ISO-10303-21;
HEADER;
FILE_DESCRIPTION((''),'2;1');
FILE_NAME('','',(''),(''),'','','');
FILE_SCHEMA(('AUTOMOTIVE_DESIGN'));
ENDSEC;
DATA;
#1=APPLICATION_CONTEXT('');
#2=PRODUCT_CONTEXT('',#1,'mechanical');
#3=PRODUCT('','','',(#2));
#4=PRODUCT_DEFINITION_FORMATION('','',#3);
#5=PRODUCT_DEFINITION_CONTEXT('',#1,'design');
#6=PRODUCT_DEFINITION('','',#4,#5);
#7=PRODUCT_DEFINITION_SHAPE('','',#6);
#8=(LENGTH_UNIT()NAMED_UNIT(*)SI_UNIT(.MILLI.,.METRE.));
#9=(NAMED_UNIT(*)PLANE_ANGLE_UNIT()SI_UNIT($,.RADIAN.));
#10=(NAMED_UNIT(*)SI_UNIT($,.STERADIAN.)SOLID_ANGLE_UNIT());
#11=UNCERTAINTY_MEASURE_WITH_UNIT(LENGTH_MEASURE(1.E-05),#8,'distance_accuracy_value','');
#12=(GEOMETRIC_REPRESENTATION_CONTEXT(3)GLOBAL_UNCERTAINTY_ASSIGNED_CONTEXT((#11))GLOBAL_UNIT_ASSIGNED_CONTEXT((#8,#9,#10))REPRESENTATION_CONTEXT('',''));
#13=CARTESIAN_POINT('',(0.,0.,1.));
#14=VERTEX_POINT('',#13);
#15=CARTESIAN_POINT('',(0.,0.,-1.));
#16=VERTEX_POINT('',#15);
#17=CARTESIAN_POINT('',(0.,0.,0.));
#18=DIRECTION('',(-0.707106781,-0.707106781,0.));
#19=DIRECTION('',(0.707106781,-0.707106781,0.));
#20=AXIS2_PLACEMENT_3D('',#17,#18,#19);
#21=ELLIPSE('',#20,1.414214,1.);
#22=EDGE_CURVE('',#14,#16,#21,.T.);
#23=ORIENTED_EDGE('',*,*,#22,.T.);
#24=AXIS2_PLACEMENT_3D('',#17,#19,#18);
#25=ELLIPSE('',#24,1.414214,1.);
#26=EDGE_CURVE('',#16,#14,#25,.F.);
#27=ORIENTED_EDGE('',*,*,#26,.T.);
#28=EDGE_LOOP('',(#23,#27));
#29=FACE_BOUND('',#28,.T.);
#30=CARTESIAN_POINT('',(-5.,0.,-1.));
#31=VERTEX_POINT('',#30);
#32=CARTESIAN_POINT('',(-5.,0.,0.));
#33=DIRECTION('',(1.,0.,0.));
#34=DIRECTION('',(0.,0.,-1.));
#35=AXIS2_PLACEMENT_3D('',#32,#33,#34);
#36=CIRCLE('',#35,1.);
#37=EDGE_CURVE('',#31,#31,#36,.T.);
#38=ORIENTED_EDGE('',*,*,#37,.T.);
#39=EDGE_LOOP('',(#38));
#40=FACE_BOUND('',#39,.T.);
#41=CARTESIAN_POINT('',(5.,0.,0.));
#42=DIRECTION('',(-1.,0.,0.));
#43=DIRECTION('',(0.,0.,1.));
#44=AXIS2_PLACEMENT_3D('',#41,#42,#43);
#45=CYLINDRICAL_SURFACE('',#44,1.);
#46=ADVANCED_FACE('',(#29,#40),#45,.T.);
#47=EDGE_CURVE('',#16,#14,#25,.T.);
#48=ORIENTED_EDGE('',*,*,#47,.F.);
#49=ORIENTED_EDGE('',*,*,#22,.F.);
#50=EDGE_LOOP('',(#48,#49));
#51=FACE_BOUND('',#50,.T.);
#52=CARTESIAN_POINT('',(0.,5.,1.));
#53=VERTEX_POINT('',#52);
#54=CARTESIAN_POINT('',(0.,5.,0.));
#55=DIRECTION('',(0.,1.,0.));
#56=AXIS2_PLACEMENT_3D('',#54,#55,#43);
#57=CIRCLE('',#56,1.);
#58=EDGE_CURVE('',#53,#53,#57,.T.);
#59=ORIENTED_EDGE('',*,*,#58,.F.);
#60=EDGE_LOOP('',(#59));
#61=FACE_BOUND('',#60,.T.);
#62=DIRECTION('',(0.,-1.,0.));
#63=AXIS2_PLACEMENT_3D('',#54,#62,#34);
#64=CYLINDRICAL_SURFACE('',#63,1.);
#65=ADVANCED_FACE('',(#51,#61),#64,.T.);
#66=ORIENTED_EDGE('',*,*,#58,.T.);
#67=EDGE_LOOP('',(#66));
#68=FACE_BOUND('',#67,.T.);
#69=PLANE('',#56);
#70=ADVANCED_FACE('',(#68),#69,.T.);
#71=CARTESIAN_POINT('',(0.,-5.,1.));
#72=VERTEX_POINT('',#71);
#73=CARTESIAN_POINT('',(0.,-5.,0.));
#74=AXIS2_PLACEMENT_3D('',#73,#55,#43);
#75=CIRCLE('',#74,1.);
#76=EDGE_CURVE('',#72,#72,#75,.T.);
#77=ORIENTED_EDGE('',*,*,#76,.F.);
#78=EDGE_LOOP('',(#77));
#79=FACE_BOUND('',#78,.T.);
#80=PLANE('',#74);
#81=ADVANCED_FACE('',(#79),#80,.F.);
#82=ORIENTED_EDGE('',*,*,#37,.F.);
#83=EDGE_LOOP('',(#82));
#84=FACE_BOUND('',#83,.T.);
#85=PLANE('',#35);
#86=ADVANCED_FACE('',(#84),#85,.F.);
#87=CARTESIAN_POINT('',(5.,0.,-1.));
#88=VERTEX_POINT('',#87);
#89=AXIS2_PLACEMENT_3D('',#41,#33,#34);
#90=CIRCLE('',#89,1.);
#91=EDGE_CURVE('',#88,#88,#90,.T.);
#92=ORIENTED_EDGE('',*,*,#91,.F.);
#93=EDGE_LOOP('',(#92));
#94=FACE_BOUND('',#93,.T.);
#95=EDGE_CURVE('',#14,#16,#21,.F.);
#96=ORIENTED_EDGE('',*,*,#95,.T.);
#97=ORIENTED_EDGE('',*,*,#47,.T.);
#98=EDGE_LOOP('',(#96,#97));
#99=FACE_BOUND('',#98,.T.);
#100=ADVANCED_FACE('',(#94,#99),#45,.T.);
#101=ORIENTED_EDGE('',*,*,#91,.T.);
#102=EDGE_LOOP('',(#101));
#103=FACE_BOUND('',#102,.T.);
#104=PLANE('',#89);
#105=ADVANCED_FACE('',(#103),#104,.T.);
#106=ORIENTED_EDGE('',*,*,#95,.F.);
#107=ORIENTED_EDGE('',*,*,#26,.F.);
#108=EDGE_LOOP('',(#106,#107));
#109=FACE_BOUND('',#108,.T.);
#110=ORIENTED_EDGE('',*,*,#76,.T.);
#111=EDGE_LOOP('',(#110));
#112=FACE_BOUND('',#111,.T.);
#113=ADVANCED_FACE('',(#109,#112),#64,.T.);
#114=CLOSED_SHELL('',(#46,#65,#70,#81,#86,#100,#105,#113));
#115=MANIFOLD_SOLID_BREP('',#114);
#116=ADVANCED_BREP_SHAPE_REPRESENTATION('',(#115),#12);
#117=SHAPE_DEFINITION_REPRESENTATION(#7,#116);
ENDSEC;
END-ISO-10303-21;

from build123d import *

# Parameters (mm, degrees)
SKIZZE2_R                       = 1
AUFSATZ_LINEAR_AUSTRAGEN1_DEPTH = 5
SKIZZE3_R                       = 1
AUFSATZ_LINEAR_AUSTRAGEN2_DEPTH = 5


with BuildPart() as part:
    # Skizze2 → Aufsatz-Linear austragen1 (new body, symmetric)
    with BuildSketch(Plane(origin=(0, 0, 0), x_dir=(1, 0, 0), z_dir=(0, 1, 0))):
        Circle(SKIZZE2_R)
    extrude(amount=AUFSATZ_LINEAR_AUSTRAGEN1_DEPTH, both=True)

    # Skizze3 → Aufsatz-Linear austragen2 (add, symmetric)
    with BuildSketch(Plane(origin=(0, 0, 0), x_dir=(0, 0, -1), z_dir=(1, 0, 0))):
        Circle(SKIZZE3_R)
    extrude(amount=AUFSATZ_LINEAR_AUSTRAGEN2_DEPTH, both=True)


solid = part.part
